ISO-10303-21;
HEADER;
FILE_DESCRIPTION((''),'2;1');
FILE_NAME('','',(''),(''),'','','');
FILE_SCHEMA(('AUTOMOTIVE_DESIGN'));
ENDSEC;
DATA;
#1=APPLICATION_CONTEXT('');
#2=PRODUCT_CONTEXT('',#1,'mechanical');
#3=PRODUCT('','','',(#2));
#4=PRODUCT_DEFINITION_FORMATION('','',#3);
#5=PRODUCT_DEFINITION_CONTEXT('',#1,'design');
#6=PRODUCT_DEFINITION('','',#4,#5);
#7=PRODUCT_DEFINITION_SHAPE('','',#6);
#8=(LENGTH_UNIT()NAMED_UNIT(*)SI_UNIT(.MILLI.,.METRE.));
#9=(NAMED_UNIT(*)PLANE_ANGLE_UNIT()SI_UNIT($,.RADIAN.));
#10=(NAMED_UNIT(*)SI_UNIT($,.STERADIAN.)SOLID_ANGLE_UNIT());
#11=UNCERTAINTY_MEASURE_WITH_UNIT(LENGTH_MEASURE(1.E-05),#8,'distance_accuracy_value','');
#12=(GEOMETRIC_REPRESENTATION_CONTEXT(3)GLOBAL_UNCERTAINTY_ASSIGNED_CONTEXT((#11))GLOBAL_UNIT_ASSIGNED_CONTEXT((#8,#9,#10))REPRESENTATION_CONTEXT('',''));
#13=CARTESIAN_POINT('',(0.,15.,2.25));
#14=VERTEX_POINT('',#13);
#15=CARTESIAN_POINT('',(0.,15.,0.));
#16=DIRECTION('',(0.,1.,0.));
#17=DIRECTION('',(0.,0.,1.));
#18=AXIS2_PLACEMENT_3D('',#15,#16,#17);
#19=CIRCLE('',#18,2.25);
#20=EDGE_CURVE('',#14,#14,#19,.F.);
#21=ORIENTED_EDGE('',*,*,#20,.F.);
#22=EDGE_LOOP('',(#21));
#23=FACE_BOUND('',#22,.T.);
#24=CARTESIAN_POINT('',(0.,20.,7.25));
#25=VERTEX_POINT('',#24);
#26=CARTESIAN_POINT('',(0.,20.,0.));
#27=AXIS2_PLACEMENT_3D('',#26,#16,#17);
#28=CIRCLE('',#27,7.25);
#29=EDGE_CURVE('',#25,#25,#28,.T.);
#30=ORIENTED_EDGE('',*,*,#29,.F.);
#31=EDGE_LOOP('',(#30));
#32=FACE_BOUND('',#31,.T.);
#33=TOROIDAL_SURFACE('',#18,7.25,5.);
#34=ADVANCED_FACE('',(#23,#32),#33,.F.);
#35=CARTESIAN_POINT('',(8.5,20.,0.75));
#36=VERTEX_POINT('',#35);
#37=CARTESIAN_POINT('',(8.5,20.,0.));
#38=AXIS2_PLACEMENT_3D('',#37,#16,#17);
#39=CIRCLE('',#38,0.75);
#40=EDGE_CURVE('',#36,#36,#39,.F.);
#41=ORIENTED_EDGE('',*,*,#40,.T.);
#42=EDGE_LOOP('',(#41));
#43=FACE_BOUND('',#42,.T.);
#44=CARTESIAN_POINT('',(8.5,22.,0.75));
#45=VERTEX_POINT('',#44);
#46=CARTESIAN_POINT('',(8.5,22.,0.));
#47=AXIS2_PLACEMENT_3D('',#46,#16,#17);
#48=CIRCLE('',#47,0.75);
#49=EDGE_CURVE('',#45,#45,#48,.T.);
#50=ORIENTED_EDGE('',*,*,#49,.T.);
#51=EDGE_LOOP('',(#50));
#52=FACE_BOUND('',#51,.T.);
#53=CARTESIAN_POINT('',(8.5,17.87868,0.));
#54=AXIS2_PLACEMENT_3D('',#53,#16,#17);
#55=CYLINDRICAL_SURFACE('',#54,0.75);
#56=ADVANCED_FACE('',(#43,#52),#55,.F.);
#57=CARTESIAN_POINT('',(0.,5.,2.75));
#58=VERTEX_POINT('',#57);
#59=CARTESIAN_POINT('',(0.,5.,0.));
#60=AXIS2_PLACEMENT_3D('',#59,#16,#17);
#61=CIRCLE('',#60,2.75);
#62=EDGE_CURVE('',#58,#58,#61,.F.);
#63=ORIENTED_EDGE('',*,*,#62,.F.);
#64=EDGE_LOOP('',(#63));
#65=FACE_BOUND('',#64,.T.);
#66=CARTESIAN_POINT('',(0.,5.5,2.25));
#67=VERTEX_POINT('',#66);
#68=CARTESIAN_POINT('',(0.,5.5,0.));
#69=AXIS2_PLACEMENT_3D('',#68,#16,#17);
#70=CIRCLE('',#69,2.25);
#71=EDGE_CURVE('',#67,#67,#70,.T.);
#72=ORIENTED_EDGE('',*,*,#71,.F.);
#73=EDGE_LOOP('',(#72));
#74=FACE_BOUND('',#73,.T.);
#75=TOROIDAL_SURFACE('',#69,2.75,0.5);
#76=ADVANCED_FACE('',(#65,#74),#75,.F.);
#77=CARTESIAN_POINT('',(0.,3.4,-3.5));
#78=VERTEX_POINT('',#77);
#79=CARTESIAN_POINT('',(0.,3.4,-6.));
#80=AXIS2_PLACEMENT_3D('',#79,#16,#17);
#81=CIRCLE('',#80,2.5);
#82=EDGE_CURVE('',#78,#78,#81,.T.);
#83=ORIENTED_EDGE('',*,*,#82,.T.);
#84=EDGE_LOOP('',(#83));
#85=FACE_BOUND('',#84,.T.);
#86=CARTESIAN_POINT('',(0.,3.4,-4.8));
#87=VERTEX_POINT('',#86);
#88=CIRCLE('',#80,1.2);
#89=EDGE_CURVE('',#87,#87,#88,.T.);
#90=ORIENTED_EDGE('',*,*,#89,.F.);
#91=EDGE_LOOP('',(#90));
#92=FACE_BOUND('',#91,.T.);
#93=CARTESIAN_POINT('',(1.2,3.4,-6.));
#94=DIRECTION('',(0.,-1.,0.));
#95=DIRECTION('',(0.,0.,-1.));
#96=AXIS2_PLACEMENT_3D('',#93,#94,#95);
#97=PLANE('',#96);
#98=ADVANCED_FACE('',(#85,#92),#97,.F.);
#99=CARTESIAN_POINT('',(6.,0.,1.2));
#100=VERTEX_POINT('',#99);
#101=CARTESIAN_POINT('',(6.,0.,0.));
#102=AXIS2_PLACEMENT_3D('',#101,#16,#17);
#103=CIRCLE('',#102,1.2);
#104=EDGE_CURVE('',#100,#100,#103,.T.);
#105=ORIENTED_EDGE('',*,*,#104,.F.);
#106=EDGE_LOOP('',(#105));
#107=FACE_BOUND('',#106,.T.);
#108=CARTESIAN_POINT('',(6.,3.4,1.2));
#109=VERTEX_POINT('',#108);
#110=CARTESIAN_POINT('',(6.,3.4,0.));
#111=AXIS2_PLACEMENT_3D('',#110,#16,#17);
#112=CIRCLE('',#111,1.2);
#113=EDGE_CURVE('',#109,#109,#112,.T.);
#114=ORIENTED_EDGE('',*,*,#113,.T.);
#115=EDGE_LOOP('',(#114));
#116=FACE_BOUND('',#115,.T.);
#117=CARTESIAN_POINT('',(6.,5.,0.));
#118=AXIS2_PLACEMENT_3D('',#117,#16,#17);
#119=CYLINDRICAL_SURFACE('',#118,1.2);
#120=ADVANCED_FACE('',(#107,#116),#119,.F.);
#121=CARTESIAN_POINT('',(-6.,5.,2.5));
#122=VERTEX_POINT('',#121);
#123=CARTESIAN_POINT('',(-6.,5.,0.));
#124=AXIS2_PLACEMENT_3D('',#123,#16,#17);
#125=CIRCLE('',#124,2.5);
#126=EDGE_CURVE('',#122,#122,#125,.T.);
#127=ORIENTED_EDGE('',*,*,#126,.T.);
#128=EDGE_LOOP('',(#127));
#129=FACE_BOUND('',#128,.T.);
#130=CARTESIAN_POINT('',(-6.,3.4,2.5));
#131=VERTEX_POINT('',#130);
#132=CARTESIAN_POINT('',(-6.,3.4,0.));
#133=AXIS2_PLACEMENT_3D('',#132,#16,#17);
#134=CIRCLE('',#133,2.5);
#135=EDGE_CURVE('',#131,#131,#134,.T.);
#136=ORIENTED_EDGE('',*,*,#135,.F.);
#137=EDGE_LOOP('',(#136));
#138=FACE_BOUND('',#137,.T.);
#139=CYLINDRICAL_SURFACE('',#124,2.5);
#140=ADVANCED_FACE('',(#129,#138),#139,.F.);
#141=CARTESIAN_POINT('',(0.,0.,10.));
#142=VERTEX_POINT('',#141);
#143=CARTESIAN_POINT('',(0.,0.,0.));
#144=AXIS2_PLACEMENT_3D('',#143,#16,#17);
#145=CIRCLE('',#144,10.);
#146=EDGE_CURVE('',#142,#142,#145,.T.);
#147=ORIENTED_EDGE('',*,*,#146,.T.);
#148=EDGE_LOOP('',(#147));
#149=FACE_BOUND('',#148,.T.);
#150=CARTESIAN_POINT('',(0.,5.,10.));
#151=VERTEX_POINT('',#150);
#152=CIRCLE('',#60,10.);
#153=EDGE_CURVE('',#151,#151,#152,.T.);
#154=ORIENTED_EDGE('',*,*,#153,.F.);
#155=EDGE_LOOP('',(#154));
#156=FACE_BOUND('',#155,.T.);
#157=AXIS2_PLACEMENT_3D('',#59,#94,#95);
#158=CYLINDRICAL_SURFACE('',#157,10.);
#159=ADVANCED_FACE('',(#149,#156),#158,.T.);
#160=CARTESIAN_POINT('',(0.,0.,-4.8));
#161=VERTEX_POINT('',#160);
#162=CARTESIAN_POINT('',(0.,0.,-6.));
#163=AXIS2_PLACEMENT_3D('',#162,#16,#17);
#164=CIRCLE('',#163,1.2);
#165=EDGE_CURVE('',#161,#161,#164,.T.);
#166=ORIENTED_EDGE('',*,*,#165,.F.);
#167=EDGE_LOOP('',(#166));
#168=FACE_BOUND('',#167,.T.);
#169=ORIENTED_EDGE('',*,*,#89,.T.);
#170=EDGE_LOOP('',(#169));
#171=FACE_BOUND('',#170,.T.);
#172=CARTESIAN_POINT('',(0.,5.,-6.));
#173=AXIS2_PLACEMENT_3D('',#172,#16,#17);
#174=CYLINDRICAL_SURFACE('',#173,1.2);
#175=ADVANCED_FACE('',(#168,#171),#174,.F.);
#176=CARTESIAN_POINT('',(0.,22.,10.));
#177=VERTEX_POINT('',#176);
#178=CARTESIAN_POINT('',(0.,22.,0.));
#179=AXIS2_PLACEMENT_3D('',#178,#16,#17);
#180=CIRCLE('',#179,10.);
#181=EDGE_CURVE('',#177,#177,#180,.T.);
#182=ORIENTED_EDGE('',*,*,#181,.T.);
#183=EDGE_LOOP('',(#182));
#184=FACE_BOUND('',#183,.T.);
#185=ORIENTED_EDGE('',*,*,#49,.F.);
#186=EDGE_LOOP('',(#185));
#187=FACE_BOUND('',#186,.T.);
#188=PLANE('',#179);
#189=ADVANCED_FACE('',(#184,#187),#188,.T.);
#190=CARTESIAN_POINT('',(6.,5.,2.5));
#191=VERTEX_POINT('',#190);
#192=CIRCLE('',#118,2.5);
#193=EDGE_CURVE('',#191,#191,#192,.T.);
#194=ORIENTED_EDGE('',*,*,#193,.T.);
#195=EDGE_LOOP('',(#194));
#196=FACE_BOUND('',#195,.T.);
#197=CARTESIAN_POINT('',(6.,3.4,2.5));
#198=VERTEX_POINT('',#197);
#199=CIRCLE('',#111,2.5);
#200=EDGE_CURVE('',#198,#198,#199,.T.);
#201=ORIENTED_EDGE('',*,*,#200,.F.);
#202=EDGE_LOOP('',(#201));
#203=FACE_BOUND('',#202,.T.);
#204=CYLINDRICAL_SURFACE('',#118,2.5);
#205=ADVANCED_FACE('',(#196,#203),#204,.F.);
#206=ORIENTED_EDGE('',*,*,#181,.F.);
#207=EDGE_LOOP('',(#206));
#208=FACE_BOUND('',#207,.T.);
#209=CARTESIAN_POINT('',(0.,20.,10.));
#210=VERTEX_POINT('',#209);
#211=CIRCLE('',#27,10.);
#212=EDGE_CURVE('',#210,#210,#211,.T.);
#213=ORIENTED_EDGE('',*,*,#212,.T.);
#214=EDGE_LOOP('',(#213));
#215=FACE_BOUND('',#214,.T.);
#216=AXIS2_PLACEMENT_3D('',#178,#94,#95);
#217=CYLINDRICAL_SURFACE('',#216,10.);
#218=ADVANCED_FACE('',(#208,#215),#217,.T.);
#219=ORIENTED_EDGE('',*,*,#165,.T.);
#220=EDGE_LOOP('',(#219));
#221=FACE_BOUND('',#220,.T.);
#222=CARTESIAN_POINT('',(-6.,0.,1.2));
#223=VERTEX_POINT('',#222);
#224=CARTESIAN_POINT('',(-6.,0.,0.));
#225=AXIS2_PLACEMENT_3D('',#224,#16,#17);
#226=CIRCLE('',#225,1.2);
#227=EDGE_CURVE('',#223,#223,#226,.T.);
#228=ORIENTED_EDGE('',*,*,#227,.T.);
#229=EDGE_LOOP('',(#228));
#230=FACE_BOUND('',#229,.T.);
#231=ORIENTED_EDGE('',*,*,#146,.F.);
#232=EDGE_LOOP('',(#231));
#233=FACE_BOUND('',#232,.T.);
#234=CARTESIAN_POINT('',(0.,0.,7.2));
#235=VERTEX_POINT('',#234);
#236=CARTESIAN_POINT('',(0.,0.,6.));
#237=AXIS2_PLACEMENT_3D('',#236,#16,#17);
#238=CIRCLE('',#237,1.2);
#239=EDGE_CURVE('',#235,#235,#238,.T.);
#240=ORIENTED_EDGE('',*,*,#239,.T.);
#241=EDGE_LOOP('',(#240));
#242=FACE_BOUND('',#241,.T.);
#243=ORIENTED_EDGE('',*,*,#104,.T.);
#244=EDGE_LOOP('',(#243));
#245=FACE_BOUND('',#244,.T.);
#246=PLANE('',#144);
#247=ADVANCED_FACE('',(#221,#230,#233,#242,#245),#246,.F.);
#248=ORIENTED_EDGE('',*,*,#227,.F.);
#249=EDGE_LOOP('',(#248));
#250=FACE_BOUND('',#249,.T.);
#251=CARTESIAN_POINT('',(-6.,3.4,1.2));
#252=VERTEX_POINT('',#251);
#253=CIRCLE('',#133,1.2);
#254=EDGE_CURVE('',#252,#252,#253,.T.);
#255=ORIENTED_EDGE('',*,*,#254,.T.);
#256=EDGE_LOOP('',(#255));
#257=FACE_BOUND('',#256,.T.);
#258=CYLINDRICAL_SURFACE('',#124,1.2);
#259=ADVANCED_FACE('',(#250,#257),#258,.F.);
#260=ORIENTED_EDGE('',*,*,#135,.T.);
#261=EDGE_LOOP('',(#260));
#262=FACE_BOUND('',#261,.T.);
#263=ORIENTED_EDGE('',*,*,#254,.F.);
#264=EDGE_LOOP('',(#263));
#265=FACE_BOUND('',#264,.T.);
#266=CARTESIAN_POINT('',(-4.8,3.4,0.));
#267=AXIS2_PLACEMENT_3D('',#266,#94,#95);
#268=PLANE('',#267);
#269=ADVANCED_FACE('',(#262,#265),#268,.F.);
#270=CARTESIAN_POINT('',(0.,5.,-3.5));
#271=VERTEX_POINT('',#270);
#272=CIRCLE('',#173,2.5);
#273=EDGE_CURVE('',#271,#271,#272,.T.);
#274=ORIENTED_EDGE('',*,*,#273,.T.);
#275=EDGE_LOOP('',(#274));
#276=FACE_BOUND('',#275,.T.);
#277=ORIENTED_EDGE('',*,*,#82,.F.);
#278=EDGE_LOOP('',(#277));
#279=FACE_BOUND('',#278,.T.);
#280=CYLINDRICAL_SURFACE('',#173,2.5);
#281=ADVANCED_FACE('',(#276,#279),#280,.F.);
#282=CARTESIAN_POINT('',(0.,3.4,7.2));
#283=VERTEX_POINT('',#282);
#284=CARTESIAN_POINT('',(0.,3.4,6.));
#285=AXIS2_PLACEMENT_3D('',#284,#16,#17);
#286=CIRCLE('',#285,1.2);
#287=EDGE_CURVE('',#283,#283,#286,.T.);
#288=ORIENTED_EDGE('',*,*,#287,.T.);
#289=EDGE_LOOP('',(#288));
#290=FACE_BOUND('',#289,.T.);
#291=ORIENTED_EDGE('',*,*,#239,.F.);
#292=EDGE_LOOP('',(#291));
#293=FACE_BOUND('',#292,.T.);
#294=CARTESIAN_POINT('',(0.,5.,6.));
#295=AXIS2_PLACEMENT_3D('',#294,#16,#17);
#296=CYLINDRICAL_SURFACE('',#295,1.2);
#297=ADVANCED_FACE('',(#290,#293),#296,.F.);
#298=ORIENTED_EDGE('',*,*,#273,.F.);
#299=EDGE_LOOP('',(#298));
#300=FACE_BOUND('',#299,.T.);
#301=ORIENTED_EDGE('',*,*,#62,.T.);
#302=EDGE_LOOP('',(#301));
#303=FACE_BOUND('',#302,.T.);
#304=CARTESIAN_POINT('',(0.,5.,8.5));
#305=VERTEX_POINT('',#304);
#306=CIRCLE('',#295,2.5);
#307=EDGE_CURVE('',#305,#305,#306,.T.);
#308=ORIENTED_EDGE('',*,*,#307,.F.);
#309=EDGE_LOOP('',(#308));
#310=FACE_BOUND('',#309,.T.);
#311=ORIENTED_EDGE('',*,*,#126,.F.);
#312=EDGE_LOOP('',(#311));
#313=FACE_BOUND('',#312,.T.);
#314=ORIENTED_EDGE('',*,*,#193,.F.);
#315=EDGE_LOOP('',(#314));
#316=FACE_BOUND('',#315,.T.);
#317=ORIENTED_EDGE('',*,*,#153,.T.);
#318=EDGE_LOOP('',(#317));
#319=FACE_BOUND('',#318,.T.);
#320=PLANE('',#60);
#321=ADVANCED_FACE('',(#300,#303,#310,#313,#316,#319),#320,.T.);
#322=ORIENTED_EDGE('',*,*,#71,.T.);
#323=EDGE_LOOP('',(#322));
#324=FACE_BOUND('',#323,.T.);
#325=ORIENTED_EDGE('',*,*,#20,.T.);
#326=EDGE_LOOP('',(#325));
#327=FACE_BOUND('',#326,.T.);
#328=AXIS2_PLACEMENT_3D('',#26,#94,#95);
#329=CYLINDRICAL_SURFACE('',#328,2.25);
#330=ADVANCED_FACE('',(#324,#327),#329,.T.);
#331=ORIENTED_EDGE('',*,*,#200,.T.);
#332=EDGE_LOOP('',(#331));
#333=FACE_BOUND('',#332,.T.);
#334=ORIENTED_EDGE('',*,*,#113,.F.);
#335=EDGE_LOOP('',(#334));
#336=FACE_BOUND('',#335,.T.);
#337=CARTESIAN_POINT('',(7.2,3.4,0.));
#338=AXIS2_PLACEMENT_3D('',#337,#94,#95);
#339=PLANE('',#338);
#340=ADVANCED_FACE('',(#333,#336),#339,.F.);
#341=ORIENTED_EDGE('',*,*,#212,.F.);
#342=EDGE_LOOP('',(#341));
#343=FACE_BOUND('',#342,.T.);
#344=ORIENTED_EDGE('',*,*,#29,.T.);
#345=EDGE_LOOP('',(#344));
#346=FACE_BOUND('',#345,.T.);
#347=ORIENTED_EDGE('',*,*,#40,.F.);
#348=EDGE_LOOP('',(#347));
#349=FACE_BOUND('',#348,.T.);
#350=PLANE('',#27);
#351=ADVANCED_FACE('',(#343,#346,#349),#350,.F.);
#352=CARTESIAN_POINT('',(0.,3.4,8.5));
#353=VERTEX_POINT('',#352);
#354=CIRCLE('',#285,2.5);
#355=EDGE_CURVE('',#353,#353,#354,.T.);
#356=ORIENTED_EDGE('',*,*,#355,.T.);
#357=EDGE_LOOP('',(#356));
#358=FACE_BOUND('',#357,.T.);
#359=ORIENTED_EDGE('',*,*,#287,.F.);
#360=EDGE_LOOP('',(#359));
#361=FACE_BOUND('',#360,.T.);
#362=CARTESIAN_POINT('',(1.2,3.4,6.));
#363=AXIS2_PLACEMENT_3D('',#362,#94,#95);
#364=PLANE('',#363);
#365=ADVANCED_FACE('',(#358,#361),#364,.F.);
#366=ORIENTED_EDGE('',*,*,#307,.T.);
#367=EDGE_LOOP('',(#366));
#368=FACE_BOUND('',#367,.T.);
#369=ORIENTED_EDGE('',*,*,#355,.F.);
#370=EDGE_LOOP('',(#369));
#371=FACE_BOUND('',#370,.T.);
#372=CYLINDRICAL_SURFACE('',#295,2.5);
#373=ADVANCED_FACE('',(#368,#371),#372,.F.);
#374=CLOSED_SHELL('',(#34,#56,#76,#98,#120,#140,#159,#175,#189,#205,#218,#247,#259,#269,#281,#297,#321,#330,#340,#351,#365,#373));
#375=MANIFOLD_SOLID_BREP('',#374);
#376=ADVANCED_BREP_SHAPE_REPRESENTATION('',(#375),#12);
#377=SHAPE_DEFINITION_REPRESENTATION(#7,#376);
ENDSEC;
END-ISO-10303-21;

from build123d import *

# Parameters (mm, degrees)
SKETCH1_R                                = 10
BOTTOM_DEPTH                             = 5
CBORE_FOR_M2_PAN_HEAD_SCREW1_D           = 2.4
CBORE_FOR_M2_PAN_HEAD_SCREW1_CBORE_D     = 5
CBORE_FOR_M2_PAN_HEAD_SCREW1_CBORE_DEPTH = 1.6
SKETCH4_R                                = 2.25
GROOVE_DEPTH                             = 15
CIRPATTERN1_COUNT                        = 4
FILLET1_R                                = 0.5
SKETCH7_R                                = 10
TOP_DEPTH                                = 2
SKETCH8_R                                = 0.75
THREAD_TERMINAL_DEPTH                    = 2
FILLET2_R                                = 5


with BuildPart() as part:
    # Sketch1 → bottom (new body)
    with BuildSketch(Plane(origin=(0, 0, 0), x_dir=(1, 0, 0), z_dir=(0, 1, 0))):
        with Locations(Location((0, 0, 0), (0, 0, 270))):
            Circle(SKETCH1_R)
    extrude(amount=BOTTOM_DEPTH)

    # CBORE for M2 Pan Head Screw1 (through all)
    with Locations(Plane(origin=(0, 5, 0), x_dir=(1, 0, 0), z_dir=(0, 1, 0))):
        with Locations((6, 0)):
            cbore_for_m2_pan_head_screw1 = CounterBoreHole(CBORE_FOR_M2_PAN_HEAD_SCREW1_D / 2, CBORE_FOR_M2_PAN_HEAD_SCREW1_CBORE_D / 2, CBORE_FOR_M2_PAN_HEAD_SCREW1_CBORE_DEPTH)

    # Sketch4 → groove (add)
    with BuildSketch(Plane(origin=(0, 5, 0), x_dir=(1, 0, 0), z_dir=(0, 1, 0))):
        with Locations(Location((0, 0, 0), (0, 0, 270))):
            Circle(SKETCH4_R)
    extrude(amount=GROOVE_DEPTH)

    # CirPattern1: CBORE for M2 Pan Head Screw1 ×4 about axis
    cirpattern1_axis = Axis((0, 0, 0), (0, 1, 0))
    for i in range(1, CIRPATTERN1_COUNT):
        add(cbore_for_m2_pan_head_screw1.rotate(cirpattern1_axis, i * 360 / CIRPATTERN1_COUNT), mode=Mode.SUBTRACT)

    # Fillet1
    fillet1_edges = [part.edges().sort_by_distance(p)[0] for p in [
        (0, 5, -2.25),
    ]]
    fillet(fillet1_edges, radius=FILLET1_R)

    # Sketch7 → top (add)
    with BuildSketch(Plane(origin=(0, 20, 0), x_dir=(1, 0, 0), z_dir=(0, 1, 0))):
        with Locations(Location((0, 0, 0), (0, 0, 270))):
            Circle(SKETCH7_R)
    extrude(amount=TOP_DEPTH)

    # Sketch8 → thread_terminal (cut)
    with BuildSketch(Plane(origin=(0, 22, 0), x_dir=(1, 0, 0), z_dir=(0, 1, 0))):
        with Locations(Location((8.5, 0, 0), (0, 0, 270))):
            Circle(SKETCH8_R)
    extrude(amount=-THREAD_TERMINAL_DEPTH, mode=Mode.SUBTRACT)

    # Fillet2
    fillet2_edges = [part.edges().sort_by_distance(p)[0] for p in [
        (0, 20, -2.25),
    ]]
    fillet(fillet2_edges, radius=FILLET2_R)


solid = part.part
